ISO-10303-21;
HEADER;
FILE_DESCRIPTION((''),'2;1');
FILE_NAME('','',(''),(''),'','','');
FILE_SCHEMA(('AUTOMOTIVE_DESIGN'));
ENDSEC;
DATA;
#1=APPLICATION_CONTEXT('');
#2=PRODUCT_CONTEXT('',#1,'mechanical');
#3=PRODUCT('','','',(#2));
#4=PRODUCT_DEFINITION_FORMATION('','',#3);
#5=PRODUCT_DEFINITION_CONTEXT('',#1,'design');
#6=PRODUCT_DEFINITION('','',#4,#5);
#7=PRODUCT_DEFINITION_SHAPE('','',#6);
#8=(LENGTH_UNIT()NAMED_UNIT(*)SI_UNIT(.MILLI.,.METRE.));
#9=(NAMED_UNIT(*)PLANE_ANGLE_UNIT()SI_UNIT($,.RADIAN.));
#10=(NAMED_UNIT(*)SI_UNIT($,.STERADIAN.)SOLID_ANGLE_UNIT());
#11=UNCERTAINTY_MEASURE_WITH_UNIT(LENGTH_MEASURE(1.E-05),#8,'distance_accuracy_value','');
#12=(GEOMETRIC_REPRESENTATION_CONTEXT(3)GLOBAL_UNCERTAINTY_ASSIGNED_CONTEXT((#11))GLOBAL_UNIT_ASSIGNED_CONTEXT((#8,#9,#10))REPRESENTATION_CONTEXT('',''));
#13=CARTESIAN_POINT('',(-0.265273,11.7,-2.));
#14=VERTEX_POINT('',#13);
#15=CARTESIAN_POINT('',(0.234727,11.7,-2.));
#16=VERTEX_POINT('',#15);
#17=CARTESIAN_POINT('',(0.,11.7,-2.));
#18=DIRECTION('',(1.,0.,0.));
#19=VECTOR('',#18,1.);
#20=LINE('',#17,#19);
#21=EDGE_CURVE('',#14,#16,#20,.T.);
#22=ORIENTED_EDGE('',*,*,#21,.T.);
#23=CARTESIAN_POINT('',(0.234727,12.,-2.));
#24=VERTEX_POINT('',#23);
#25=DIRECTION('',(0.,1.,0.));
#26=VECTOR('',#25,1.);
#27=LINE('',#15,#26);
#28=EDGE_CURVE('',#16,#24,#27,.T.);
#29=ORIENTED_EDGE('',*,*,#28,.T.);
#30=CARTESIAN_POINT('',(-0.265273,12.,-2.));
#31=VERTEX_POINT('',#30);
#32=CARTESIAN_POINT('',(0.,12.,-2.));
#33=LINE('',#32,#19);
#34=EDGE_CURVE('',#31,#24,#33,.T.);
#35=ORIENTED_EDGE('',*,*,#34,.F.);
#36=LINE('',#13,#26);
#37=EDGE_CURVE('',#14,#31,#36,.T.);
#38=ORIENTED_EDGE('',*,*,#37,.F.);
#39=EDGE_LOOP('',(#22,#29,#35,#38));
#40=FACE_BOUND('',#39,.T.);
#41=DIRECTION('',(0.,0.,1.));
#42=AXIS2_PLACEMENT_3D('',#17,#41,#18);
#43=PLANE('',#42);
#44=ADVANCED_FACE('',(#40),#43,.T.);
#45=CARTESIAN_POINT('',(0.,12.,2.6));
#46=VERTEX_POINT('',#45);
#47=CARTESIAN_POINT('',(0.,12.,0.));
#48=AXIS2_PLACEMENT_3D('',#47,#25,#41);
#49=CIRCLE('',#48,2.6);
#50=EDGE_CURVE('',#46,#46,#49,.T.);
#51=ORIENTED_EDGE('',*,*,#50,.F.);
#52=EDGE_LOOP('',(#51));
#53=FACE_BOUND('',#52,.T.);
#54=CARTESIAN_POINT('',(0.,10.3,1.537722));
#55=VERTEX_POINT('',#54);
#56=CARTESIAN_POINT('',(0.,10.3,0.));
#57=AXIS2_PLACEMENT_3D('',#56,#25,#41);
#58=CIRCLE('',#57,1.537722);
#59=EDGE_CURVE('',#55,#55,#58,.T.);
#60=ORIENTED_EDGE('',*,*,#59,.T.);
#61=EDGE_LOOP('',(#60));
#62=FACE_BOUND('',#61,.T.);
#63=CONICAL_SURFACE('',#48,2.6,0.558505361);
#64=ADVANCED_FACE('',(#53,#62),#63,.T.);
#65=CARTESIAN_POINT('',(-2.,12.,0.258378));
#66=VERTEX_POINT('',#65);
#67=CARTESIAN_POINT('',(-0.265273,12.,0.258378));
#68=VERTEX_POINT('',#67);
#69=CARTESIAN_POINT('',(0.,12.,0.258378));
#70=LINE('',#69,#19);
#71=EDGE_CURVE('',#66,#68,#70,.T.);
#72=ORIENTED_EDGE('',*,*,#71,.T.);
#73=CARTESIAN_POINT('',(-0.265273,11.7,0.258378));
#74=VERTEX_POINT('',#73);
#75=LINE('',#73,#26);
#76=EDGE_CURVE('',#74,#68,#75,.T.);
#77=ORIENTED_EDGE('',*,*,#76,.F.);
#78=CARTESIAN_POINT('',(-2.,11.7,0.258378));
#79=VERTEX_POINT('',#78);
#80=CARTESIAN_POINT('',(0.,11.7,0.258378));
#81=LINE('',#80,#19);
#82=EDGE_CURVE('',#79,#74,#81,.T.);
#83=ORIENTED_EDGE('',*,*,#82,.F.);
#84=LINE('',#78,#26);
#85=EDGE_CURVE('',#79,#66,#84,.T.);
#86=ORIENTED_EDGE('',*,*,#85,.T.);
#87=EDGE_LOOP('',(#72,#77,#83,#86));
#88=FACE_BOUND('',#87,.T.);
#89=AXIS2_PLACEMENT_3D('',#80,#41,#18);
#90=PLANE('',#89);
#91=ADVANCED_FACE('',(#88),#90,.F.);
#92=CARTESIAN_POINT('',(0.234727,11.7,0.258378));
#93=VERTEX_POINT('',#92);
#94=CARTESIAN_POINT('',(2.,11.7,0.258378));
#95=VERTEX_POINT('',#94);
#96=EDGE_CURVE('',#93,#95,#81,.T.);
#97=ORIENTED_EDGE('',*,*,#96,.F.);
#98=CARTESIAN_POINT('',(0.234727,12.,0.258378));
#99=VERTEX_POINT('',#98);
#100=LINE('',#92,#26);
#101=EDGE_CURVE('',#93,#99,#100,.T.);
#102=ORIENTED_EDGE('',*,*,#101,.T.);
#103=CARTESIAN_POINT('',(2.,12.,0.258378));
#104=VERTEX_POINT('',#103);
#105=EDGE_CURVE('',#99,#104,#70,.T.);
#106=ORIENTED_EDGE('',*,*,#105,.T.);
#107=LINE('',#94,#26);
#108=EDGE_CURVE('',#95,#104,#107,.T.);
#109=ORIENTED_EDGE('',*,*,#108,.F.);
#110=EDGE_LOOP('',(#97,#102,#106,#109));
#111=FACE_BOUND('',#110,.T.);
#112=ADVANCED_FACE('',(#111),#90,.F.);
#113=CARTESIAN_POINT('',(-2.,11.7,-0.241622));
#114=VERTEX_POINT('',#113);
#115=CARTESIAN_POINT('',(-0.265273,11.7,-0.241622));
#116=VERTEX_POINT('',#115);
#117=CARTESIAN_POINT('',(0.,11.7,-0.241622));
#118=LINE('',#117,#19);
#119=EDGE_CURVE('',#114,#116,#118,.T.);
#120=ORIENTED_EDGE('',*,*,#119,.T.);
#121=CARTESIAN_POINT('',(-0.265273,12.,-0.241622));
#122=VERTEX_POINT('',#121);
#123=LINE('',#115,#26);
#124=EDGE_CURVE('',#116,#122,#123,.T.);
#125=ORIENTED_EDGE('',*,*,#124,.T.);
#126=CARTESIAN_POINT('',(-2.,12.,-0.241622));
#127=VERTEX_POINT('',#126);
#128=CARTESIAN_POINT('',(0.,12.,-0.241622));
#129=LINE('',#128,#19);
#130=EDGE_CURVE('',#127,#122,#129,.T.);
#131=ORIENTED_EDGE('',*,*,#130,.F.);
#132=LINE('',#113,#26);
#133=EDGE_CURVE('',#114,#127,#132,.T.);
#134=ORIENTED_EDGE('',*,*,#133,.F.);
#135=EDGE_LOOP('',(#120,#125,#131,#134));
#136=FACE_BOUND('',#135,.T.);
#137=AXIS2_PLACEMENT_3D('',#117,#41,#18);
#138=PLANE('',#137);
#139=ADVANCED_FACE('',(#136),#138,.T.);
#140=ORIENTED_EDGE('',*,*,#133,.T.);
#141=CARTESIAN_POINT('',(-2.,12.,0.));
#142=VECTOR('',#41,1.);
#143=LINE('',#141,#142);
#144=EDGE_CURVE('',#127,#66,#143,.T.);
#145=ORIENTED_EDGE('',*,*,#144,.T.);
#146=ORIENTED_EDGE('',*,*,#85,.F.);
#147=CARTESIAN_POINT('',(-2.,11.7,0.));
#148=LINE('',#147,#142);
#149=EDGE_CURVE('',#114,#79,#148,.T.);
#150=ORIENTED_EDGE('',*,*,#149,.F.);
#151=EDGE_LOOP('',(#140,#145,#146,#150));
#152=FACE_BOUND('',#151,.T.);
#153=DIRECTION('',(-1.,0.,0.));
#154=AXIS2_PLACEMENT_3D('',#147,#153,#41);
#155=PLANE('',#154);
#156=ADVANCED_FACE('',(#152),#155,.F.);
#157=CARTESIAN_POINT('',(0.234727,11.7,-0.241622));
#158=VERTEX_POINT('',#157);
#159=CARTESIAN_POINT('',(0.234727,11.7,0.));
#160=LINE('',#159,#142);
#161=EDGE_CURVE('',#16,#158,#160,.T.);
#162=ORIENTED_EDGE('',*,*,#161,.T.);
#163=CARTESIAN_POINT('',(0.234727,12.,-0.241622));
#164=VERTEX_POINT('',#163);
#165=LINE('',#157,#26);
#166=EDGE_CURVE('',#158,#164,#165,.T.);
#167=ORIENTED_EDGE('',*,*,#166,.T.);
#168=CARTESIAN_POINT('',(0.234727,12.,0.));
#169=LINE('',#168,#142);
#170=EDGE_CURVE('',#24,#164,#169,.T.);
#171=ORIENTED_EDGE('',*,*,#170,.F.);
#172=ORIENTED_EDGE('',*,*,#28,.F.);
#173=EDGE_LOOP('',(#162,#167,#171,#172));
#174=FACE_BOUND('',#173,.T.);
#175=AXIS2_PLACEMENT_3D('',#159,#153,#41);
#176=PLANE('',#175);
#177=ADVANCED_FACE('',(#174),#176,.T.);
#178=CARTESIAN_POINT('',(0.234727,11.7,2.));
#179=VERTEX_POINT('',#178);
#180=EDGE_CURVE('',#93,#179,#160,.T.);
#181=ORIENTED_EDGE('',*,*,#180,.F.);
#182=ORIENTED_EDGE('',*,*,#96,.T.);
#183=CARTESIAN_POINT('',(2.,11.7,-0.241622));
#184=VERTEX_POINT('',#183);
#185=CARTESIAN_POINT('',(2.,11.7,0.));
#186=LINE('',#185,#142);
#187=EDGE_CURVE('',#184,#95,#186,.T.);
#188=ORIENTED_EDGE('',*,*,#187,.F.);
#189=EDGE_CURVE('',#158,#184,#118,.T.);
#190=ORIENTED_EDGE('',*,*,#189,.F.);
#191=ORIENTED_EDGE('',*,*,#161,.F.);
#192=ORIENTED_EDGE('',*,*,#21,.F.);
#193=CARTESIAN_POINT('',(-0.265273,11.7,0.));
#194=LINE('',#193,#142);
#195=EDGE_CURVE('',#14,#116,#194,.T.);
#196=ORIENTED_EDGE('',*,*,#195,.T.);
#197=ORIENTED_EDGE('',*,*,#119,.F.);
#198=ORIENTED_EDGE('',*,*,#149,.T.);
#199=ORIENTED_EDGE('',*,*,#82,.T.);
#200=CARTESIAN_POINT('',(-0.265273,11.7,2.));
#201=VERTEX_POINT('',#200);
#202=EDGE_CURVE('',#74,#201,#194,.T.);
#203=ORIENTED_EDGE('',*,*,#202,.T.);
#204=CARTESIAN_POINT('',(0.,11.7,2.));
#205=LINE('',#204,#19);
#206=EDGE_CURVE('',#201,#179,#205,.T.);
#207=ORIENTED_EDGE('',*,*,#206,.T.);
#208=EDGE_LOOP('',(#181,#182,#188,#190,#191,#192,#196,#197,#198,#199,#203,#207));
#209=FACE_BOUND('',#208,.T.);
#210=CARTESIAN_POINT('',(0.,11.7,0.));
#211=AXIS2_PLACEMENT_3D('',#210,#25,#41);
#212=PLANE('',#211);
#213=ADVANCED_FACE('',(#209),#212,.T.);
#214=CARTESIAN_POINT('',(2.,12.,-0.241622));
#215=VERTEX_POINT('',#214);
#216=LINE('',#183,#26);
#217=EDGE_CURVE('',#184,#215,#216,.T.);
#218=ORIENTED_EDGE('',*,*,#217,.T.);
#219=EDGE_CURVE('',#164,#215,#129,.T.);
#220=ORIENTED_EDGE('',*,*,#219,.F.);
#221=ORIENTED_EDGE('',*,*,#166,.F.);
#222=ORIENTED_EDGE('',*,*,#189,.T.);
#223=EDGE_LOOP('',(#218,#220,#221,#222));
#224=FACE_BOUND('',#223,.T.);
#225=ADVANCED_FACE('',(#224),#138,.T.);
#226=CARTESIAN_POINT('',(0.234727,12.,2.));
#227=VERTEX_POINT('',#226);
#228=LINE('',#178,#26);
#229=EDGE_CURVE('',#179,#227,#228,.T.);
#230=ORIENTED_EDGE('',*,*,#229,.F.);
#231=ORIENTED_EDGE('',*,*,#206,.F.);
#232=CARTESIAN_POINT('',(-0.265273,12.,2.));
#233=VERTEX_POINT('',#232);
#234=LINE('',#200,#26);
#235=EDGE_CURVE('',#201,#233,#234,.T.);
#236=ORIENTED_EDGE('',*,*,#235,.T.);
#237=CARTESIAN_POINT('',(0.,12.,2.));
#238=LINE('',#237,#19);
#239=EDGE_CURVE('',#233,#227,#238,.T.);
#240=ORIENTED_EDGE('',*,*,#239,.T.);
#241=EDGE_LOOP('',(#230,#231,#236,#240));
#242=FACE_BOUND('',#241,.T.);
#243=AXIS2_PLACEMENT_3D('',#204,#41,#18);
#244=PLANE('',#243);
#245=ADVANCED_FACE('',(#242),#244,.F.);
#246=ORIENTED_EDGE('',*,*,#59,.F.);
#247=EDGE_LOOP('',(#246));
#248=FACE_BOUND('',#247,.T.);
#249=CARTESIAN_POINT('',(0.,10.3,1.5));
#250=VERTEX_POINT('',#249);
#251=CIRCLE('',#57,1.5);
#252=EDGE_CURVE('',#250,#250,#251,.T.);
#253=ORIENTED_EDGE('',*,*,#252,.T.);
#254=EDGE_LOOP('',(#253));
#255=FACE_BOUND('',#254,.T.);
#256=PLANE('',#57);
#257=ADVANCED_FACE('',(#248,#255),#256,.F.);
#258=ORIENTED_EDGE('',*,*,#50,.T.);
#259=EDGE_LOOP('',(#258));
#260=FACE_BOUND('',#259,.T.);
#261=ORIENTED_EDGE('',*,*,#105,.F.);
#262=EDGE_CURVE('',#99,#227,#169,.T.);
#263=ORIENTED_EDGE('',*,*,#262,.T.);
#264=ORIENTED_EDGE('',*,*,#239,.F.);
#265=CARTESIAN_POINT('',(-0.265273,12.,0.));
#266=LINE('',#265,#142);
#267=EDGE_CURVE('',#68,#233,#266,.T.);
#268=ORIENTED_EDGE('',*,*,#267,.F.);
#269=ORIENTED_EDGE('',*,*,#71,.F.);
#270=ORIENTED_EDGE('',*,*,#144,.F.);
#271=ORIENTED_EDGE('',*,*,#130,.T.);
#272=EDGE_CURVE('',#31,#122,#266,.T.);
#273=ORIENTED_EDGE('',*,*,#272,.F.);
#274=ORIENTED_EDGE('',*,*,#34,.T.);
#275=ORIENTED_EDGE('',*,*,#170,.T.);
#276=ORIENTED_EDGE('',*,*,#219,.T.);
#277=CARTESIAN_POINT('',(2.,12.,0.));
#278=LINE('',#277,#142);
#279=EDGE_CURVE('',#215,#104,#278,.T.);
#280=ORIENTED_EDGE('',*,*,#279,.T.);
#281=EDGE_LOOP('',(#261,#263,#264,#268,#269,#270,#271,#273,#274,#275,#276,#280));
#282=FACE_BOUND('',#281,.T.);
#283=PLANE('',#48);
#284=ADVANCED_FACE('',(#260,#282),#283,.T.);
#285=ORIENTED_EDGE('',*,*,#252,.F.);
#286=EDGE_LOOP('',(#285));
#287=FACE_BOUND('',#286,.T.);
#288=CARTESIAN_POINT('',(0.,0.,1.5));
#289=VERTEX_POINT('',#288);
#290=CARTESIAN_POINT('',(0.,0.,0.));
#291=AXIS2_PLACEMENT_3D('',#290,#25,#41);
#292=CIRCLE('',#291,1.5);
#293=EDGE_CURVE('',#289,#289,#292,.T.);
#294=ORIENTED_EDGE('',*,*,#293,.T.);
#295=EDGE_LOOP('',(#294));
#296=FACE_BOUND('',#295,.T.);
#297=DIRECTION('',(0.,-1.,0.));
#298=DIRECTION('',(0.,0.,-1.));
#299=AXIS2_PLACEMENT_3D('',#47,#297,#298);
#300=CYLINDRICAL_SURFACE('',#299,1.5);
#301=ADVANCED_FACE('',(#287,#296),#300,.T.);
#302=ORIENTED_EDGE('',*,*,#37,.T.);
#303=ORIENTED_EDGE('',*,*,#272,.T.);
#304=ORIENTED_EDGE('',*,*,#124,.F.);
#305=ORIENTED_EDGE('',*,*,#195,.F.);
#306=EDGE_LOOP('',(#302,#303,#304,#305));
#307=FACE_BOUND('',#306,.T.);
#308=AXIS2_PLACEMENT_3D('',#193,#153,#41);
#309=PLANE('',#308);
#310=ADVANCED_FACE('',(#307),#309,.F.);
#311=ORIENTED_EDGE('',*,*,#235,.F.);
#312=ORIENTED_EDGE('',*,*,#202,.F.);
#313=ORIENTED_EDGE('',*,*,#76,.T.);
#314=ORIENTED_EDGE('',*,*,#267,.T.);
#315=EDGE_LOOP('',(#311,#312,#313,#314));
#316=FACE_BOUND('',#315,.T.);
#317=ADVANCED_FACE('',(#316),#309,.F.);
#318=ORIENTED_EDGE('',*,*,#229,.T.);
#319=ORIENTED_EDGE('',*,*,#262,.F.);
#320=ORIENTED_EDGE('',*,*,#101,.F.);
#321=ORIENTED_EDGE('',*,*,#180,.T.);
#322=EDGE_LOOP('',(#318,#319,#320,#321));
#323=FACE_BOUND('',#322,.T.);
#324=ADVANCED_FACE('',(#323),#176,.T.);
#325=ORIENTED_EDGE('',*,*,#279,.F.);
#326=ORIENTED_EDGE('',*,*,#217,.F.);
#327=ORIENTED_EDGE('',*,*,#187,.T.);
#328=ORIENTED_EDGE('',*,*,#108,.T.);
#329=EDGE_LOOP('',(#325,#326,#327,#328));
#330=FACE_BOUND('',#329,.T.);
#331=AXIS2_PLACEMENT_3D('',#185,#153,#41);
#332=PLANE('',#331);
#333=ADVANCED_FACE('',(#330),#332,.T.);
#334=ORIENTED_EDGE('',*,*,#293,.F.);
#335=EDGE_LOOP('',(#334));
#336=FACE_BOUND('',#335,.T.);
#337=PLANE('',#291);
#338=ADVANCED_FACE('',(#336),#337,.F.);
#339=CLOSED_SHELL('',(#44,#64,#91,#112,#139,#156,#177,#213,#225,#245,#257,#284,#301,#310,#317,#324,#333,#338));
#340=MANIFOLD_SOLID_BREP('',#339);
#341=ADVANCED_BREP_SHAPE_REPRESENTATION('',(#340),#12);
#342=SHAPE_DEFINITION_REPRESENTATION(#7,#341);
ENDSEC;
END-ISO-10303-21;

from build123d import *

# Parameters (mm, degrees)
SKETCH1_R           = 1.5
BOSS_EXTRUDE1_DEPTH = 12
SKETCH2_R           = 2.6
BOSS_EXTRUDE2_DEPTH = 1.7
BOSS_EXTRUDE2_TAPER = 32
SKETCH3_W           = 0.5
SKETCH3_H           = 1.758378485
SKETCH3_H_2         = 1.741621515
SKETCH3_W_2         = 1.734727157
SKETCH3_H_3         = 0.5
SKETCH3_W_3         = 1.765272843
CUT_EXTRUDE1_DEPTH  = 0.3


with BuildPart() as part:
    # Sketch1 → Boss-Extrude1 (new body)
    with BuildSketch(Plane(origin=(0, 0, 0), x_dir=(1, 0, 0), z_dir=(0, 1, 0))):
        Circle(SKETCH1_R)
    extrude(amount=BOSS_EXTRUDE1_DEPTH)

    # Sketch2 → Boss-Extrude2 (add)
    with BuildSketch(Plane(origin=(0, 12, 0), x_dir=(1, 0, 0), z_dir=(0, 1, 0))):
        Circle(SKETCH2_R)
    extrude(amount=-BOSS_EXTRUDE2_DEPTH, taper=BOSS_EXTRUDE2_TAPER)

    # Sketch3 → Cut-Extrude1 (cut)
    with BuildSketch(Plane(origin=(0, 12, 0), x_dir=(1, 0, 0), z_dir=(0, 1, 0))):
        with Locations((-0.015272843, 1.120810757)):
            Rectangle(SKETCH3_W, SKETCH3_H)
        with Locations((-0.015272843, -1.129189243)):
            Rectangle(SKETCH3_W, SKETCH3_H_2)
        with Locations((-1.132636421, -0.008378485)):
            Rectangle(SKETCH3_W_2, SKETCH3_H_3)
        with Locations((1.117363579, -0.008378485)):
            Rectangle(SKETCH3_W_3, SKETCH3_H_3)
        with Locations((-0.015272843, -0.008378485)):
            Rectangle(SKETCH3_W, SKETCH3_H_3)
    extrude(amount=-CUT_EXTRUDE1_DEPTH, mode=Mode.SUBTRACT)


solid = part.part
